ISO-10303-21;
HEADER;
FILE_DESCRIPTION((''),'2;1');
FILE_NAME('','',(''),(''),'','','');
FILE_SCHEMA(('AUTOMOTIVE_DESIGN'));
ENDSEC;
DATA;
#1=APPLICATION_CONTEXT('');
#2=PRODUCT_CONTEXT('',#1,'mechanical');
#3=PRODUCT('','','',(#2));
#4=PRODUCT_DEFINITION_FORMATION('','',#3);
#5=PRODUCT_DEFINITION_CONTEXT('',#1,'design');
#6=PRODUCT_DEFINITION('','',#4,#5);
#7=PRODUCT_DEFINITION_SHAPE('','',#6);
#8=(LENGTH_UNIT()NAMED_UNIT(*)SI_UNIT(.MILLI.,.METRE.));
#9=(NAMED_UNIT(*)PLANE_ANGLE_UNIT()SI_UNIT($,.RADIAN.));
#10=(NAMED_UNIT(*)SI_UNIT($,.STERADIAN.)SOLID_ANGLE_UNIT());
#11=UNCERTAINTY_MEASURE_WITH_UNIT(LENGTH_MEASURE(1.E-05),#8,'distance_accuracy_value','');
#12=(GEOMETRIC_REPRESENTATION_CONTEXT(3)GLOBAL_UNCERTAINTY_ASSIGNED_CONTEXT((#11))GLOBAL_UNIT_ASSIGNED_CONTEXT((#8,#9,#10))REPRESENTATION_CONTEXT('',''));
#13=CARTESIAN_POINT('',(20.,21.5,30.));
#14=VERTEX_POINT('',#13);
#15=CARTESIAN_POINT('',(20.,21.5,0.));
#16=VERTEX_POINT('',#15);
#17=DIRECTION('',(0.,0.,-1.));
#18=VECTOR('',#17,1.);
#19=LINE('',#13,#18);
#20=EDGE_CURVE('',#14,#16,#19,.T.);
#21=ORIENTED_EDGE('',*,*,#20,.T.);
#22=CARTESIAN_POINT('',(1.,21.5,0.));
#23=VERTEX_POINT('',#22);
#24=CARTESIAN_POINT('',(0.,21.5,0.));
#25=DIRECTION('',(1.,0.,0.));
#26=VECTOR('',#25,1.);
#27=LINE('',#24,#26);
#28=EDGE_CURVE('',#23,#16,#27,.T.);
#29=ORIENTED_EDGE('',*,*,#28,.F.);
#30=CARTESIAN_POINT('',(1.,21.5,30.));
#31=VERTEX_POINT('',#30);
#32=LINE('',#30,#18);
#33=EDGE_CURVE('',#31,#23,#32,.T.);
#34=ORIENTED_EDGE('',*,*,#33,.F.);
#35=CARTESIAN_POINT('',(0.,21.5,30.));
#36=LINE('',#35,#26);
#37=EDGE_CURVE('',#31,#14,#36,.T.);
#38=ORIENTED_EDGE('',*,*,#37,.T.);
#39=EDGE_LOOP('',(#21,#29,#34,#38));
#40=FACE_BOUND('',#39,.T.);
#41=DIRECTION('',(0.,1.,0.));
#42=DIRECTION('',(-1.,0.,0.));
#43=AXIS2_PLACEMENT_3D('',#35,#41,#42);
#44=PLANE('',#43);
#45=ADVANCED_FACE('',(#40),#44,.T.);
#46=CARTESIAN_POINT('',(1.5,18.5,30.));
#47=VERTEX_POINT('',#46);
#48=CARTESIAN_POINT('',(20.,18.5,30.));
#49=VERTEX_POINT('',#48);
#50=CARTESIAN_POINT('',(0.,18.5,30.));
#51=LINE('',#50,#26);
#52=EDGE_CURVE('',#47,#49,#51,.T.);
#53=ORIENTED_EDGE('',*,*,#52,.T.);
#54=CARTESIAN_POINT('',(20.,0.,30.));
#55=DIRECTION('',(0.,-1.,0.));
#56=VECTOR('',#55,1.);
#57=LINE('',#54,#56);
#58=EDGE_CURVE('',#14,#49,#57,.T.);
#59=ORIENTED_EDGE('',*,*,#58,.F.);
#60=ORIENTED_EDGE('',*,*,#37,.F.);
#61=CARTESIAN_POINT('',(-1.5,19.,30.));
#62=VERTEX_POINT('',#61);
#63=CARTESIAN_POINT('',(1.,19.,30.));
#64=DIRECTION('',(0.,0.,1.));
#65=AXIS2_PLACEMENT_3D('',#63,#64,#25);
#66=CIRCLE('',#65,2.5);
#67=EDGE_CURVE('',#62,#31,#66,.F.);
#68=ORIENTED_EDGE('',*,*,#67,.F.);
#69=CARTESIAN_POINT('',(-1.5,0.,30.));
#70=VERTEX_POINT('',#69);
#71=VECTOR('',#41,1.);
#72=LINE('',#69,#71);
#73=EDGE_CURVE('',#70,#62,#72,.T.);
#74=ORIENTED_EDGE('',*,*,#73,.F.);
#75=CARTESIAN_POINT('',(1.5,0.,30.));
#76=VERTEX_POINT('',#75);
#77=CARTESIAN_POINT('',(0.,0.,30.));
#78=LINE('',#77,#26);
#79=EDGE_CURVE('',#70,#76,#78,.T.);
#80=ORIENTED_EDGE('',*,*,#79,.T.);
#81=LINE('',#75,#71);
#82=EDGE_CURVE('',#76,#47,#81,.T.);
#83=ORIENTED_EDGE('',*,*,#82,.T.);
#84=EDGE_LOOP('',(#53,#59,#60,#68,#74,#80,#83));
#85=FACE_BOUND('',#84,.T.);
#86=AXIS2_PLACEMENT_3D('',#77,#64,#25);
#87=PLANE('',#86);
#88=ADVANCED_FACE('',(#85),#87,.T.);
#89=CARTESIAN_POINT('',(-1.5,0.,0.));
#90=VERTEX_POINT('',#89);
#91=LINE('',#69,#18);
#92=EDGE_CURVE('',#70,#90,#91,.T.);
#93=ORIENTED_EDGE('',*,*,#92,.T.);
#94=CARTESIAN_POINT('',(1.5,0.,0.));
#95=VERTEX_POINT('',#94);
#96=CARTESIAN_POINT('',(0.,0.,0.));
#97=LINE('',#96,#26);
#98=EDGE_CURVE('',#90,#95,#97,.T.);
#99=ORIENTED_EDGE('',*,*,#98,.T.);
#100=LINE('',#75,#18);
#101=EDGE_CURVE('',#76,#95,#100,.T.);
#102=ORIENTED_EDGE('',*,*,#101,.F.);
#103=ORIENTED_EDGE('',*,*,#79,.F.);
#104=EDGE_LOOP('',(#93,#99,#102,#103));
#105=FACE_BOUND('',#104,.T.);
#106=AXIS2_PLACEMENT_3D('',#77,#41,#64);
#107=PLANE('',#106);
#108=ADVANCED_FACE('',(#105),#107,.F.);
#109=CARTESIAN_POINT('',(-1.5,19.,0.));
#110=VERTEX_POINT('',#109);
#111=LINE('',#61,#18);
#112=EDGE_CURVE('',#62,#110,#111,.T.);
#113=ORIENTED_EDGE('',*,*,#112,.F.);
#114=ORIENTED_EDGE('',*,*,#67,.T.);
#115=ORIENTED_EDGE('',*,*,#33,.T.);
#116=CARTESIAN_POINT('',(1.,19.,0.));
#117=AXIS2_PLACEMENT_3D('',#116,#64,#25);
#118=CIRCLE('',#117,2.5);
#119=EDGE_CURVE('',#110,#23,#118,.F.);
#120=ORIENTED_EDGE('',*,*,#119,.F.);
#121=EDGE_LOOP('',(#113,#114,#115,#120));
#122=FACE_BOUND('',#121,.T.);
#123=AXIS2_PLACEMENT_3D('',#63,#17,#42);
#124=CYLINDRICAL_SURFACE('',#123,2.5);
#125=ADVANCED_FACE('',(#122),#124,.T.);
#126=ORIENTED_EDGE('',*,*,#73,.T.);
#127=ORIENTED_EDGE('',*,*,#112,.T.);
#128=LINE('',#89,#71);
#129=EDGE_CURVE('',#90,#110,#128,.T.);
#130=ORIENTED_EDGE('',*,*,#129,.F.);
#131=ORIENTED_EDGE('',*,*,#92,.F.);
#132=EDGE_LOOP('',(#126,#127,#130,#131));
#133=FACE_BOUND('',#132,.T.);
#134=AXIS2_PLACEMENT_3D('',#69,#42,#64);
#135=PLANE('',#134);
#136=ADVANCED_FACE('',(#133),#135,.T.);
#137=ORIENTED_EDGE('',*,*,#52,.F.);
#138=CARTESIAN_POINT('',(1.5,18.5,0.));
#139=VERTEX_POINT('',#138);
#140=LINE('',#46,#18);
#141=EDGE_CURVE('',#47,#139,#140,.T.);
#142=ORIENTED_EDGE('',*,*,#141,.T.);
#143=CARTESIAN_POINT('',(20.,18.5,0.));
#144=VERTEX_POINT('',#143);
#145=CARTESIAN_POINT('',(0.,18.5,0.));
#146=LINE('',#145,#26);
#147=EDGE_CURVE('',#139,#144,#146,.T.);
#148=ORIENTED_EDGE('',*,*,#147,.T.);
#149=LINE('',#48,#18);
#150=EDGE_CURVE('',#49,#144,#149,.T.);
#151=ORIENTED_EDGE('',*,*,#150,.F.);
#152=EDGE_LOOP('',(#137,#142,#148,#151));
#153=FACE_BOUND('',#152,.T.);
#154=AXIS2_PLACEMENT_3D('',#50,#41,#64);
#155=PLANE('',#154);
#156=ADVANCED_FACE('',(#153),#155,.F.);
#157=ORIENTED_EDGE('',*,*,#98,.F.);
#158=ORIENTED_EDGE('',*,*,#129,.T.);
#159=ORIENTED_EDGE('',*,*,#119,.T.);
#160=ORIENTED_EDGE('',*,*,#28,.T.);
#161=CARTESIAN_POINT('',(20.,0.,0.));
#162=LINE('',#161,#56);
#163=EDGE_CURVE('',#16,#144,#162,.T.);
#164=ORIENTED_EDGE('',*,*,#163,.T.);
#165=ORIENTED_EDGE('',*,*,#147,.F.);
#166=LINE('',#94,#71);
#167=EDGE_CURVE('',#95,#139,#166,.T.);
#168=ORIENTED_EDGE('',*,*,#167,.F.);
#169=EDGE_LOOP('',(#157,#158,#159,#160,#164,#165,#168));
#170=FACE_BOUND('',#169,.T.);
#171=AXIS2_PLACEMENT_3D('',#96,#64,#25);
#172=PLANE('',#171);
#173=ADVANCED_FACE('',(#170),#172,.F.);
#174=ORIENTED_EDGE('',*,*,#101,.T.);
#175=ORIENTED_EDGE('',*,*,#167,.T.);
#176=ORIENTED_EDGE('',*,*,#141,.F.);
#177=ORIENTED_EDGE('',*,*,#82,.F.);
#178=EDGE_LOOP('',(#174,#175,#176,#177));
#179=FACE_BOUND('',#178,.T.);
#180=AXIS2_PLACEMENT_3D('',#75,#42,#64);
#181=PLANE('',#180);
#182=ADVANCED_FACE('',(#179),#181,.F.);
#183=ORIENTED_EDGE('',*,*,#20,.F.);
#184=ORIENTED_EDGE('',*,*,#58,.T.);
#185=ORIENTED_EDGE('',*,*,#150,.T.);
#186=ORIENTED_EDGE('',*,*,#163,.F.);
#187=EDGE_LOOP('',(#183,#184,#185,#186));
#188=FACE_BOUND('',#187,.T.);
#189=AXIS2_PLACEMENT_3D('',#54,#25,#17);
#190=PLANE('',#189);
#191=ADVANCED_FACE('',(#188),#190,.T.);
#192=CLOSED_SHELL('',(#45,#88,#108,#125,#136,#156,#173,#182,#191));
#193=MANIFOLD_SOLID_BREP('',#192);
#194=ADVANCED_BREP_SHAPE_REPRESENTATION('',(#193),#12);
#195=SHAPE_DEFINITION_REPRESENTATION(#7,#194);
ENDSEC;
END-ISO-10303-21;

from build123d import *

# Parameters (mm, degrees)
BOSS_EXTRUDE1_DEPTH = 30


with BuildPart() as part:
    # Sketch1 → Boss-Extrude1 (new body)
    with BuildSketch(Plane.XY):
        with BuildLine():
            Line((0, 19), (0, 0))
            Line((0, 0), (1.5, 0))
            Line((1.5, 0), (1.5, 18.5))
            Line((1.5, 18.5), (20, 18.5))
            Line((20, 18.5), (20, 20))
            Line((20, 20), (1, 20))
            ThreePointArc((1, 20), (0.292893219, 19.707106781), (0, 19))
        make_face()
        with BuildLine():
            Line((-1.5, 0), (0, 0))
            Line((0, 0), (0, 19))
            ThreePointArc((0, 19), (0.292893219, 19.707106781), (1, 20))
            Line((1, 20), (20, 20))
            Line((20, 20), (20, 21.5))
            Line((20, 21.5), (1, 21.5))
            ThreePointArc((1, 21.5), (-0.767766953, 20.767766953), (-1.5, 19))
            Line((-1.5, 19), (-1.5, 0))
        make_face()
    extrude(amount=BOSS_EXTRUDE1_DEPTH)


solid = part.part
